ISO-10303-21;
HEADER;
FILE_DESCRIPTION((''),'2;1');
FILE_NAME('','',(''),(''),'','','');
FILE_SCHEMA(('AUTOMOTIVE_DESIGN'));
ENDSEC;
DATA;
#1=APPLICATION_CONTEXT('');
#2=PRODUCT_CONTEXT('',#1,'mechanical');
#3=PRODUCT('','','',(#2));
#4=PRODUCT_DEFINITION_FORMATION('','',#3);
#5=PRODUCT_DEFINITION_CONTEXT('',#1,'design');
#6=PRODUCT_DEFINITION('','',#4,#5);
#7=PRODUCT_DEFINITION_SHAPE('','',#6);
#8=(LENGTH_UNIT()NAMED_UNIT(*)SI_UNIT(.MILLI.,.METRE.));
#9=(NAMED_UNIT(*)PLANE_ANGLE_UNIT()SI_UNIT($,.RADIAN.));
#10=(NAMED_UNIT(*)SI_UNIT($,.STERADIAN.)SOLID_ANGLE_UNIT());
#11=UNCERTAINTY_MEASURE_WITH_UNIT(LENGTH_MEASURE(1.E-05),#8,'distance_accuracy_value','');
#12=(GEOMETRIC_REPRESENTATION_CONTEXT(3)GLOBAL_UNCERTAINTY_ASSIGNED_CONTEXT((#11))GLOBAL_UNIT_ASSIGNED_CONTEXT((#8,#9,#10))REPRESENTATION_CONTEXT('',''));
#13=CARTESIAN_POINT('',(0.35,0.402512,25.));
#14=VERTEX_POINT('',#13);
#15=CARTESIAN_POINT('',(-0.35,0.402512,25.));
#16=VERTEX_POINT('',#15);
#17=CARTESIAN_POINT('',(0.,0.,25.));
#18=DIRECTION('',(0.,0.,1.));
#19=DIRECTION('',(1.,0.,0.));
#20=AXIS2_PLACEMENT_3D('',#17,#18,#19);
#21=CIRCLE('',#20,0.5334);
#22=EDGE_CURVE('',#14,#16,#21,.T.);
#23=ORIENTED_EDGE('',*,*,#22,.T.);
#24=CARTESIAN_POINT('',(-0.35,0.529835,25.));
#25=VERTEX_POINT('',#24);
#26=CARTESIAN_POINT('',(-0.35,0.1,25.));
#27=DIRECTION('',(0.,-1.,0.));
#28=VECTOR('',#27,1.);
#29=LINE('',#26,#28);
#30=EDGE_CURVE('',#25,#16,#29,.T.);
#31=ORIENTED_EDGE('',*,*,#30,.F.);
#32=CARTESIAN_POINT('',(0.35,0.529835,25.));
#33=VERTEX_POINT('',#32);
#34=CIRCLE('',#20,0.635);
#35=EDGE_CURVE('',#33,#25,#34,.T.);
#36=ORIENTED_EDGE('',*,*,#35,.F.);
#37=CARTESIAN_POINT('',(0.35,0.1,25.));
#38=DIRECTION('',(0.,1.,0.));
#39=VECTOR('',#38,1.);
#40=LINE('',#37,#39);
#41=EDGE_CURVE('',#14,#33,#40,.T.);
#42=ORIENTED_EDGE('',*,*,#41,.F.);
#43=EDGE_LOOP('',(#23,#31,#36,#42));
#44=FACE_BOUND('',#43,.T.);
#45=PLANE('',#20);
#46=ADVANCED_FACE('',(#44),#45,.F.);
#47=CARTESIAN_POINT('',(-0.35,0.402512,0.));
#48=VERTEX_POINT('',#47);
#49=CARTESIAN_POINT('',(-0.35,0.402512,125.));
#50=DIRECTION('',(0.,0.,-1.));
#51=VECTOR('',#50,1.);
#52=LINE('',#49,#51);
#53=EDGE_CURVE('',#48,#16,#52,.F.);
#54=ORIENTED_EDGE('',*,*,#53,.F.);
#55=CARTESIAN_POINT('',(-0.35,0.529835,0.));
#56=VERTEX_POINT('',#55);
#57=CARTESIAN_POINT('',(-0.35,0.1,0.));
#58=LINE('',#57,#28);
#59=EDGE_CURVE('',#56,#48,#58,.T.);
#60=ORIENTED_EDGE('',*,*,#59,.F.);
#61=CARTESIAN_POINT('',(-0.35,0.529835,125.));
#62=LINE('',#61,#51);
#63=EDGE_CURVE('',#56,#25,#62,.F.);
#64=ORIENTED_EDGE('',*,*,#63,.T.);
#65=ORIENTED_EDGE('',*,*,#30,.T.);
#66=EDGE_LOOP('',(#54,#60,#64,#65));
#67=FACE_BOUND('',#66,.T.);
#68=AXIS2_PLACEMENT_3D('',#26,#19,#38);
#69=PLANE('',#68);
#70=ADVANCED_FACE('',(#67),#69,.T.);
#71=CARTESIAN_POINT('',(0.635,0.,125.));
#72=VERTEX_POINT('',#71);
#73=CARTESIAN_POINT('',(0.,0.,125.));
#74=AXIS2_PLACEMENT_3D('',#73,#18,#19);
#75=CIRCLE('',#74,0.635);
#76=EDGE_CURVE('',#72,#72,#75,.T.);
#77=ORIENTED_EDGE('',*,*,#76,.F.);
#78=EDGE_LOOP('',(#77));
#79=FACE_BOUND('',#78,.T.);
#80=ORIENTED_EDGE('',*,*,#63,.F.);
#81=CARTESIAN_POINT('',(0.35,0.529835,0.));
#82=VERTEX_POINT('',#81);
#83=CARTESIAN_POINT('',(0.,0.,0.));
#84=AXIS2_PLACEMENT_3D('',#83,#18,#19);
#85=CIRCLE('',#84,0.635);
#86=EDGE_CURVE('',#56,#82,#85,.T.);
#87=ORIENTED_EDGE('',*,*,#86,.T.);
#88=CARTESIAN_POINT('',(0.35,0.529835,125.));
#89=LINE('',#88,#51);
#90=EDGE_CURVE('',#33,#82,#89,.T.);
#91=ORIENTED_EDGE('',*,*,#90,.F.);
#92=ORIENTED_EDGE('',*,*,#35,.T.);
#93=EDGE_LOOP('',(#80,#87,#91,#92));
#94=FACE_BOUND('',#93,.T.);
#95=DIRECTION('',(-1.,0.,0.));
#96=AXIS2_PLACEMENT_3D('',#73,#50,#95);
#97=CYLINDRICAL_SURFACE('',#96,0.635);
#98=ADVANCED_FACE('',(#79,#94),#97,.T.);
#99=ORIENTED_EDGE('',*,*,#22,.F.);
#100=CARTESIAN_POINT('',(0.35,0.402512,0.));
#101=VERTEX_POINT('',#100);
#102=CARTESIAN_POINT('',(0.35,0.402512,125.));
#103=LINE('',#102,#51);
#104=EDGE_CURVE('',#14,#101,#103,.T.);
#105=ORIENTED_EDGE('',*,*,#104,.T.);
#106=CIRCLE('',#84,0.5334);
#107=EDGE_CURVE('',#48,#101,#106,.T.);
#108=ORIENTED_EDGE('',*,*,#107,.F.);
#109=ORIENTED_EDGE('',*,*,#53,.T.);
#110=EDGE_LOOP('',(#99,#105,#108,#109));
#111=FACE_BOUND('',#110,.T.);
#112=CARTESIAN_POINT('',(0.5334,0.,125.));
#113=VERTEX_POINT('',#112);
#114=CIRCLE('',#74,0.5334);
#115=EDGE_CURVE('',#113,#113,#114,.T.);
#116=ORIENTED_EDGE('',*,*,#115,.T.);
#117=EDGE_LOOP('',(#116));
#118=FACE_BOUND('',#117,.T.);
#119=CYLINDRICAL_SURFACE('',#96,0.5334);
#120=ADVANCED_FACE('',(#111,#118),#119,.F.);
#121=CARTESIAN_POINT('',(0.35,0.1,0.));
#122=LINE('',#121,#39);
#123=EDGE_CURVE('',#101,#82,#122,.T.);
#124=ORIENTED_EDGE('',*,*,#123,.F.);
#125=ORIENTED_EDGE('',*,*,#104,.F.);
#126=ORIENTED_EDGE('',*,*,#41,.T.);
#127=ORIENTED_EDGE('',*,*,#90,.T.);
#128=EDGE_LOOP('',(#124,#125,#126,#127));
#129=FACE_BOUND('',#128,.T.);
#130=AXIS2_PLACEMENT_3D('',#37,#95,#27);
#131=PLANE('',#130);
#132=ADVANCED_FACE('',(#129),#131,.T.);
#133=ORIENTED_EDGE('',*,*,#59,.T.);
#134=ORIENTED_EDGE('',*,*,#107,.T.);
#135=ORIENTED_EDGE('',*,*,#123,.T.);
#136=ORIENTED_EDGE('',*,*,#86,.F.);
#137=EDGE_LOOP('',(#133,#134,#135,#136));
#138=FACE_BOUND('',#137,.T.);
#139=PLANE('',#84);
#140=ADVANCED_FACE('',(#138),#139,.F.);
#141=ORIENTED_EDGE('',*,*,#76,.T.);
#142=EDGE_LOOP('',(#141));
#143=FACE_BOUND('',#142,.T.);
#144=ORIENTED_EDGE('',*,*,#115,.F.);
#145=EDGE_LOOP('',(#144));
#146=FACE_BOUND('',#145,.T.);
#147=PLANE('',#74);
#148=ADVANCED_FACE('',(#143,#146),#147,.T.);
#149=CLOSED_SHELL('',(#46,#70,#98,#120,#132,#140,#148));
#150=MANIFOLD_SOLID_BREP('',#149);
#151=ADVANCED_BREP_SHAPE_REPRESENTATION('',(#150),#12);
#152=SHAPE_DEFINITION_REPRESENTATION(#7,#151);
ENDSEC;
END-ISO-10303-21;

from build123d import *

# Parameters (mm, degrees)
SKETCH1_R           = 0.635
SKETCH1_R_2         = 0.5334
BOSS_EXTRUDE1_DEPTH = 125
SKETCH2_W           = 0.7
SKETCH2_H           = 0.8668
CUT_EXTRUDE1_DEPTH  = 25


with BuildPart() as part:
    # Sketch1 → Boss-Extrude1 (new body)
    with BuildSketch(Plane.XY):
        Circle(SKETCH1_R)
        Circle(SKETCH1_R_2, mode=Mode.SUBTRACT)
    extrude(amount=BOSS_EXTRUDE1_DEPTH)

    # Sketch2 → Cut-Extrude1 (cut)
    with BuildSketch(Plane.XY):
        with Locations((0, 0.5334)):
            Rectangle(SKETCH2_W, SKETCH2_H)
    extrude(amount=CUT_EXTRUDE1_DEPTH, mode=Mode.SUBTRACT)


solid = part.part
